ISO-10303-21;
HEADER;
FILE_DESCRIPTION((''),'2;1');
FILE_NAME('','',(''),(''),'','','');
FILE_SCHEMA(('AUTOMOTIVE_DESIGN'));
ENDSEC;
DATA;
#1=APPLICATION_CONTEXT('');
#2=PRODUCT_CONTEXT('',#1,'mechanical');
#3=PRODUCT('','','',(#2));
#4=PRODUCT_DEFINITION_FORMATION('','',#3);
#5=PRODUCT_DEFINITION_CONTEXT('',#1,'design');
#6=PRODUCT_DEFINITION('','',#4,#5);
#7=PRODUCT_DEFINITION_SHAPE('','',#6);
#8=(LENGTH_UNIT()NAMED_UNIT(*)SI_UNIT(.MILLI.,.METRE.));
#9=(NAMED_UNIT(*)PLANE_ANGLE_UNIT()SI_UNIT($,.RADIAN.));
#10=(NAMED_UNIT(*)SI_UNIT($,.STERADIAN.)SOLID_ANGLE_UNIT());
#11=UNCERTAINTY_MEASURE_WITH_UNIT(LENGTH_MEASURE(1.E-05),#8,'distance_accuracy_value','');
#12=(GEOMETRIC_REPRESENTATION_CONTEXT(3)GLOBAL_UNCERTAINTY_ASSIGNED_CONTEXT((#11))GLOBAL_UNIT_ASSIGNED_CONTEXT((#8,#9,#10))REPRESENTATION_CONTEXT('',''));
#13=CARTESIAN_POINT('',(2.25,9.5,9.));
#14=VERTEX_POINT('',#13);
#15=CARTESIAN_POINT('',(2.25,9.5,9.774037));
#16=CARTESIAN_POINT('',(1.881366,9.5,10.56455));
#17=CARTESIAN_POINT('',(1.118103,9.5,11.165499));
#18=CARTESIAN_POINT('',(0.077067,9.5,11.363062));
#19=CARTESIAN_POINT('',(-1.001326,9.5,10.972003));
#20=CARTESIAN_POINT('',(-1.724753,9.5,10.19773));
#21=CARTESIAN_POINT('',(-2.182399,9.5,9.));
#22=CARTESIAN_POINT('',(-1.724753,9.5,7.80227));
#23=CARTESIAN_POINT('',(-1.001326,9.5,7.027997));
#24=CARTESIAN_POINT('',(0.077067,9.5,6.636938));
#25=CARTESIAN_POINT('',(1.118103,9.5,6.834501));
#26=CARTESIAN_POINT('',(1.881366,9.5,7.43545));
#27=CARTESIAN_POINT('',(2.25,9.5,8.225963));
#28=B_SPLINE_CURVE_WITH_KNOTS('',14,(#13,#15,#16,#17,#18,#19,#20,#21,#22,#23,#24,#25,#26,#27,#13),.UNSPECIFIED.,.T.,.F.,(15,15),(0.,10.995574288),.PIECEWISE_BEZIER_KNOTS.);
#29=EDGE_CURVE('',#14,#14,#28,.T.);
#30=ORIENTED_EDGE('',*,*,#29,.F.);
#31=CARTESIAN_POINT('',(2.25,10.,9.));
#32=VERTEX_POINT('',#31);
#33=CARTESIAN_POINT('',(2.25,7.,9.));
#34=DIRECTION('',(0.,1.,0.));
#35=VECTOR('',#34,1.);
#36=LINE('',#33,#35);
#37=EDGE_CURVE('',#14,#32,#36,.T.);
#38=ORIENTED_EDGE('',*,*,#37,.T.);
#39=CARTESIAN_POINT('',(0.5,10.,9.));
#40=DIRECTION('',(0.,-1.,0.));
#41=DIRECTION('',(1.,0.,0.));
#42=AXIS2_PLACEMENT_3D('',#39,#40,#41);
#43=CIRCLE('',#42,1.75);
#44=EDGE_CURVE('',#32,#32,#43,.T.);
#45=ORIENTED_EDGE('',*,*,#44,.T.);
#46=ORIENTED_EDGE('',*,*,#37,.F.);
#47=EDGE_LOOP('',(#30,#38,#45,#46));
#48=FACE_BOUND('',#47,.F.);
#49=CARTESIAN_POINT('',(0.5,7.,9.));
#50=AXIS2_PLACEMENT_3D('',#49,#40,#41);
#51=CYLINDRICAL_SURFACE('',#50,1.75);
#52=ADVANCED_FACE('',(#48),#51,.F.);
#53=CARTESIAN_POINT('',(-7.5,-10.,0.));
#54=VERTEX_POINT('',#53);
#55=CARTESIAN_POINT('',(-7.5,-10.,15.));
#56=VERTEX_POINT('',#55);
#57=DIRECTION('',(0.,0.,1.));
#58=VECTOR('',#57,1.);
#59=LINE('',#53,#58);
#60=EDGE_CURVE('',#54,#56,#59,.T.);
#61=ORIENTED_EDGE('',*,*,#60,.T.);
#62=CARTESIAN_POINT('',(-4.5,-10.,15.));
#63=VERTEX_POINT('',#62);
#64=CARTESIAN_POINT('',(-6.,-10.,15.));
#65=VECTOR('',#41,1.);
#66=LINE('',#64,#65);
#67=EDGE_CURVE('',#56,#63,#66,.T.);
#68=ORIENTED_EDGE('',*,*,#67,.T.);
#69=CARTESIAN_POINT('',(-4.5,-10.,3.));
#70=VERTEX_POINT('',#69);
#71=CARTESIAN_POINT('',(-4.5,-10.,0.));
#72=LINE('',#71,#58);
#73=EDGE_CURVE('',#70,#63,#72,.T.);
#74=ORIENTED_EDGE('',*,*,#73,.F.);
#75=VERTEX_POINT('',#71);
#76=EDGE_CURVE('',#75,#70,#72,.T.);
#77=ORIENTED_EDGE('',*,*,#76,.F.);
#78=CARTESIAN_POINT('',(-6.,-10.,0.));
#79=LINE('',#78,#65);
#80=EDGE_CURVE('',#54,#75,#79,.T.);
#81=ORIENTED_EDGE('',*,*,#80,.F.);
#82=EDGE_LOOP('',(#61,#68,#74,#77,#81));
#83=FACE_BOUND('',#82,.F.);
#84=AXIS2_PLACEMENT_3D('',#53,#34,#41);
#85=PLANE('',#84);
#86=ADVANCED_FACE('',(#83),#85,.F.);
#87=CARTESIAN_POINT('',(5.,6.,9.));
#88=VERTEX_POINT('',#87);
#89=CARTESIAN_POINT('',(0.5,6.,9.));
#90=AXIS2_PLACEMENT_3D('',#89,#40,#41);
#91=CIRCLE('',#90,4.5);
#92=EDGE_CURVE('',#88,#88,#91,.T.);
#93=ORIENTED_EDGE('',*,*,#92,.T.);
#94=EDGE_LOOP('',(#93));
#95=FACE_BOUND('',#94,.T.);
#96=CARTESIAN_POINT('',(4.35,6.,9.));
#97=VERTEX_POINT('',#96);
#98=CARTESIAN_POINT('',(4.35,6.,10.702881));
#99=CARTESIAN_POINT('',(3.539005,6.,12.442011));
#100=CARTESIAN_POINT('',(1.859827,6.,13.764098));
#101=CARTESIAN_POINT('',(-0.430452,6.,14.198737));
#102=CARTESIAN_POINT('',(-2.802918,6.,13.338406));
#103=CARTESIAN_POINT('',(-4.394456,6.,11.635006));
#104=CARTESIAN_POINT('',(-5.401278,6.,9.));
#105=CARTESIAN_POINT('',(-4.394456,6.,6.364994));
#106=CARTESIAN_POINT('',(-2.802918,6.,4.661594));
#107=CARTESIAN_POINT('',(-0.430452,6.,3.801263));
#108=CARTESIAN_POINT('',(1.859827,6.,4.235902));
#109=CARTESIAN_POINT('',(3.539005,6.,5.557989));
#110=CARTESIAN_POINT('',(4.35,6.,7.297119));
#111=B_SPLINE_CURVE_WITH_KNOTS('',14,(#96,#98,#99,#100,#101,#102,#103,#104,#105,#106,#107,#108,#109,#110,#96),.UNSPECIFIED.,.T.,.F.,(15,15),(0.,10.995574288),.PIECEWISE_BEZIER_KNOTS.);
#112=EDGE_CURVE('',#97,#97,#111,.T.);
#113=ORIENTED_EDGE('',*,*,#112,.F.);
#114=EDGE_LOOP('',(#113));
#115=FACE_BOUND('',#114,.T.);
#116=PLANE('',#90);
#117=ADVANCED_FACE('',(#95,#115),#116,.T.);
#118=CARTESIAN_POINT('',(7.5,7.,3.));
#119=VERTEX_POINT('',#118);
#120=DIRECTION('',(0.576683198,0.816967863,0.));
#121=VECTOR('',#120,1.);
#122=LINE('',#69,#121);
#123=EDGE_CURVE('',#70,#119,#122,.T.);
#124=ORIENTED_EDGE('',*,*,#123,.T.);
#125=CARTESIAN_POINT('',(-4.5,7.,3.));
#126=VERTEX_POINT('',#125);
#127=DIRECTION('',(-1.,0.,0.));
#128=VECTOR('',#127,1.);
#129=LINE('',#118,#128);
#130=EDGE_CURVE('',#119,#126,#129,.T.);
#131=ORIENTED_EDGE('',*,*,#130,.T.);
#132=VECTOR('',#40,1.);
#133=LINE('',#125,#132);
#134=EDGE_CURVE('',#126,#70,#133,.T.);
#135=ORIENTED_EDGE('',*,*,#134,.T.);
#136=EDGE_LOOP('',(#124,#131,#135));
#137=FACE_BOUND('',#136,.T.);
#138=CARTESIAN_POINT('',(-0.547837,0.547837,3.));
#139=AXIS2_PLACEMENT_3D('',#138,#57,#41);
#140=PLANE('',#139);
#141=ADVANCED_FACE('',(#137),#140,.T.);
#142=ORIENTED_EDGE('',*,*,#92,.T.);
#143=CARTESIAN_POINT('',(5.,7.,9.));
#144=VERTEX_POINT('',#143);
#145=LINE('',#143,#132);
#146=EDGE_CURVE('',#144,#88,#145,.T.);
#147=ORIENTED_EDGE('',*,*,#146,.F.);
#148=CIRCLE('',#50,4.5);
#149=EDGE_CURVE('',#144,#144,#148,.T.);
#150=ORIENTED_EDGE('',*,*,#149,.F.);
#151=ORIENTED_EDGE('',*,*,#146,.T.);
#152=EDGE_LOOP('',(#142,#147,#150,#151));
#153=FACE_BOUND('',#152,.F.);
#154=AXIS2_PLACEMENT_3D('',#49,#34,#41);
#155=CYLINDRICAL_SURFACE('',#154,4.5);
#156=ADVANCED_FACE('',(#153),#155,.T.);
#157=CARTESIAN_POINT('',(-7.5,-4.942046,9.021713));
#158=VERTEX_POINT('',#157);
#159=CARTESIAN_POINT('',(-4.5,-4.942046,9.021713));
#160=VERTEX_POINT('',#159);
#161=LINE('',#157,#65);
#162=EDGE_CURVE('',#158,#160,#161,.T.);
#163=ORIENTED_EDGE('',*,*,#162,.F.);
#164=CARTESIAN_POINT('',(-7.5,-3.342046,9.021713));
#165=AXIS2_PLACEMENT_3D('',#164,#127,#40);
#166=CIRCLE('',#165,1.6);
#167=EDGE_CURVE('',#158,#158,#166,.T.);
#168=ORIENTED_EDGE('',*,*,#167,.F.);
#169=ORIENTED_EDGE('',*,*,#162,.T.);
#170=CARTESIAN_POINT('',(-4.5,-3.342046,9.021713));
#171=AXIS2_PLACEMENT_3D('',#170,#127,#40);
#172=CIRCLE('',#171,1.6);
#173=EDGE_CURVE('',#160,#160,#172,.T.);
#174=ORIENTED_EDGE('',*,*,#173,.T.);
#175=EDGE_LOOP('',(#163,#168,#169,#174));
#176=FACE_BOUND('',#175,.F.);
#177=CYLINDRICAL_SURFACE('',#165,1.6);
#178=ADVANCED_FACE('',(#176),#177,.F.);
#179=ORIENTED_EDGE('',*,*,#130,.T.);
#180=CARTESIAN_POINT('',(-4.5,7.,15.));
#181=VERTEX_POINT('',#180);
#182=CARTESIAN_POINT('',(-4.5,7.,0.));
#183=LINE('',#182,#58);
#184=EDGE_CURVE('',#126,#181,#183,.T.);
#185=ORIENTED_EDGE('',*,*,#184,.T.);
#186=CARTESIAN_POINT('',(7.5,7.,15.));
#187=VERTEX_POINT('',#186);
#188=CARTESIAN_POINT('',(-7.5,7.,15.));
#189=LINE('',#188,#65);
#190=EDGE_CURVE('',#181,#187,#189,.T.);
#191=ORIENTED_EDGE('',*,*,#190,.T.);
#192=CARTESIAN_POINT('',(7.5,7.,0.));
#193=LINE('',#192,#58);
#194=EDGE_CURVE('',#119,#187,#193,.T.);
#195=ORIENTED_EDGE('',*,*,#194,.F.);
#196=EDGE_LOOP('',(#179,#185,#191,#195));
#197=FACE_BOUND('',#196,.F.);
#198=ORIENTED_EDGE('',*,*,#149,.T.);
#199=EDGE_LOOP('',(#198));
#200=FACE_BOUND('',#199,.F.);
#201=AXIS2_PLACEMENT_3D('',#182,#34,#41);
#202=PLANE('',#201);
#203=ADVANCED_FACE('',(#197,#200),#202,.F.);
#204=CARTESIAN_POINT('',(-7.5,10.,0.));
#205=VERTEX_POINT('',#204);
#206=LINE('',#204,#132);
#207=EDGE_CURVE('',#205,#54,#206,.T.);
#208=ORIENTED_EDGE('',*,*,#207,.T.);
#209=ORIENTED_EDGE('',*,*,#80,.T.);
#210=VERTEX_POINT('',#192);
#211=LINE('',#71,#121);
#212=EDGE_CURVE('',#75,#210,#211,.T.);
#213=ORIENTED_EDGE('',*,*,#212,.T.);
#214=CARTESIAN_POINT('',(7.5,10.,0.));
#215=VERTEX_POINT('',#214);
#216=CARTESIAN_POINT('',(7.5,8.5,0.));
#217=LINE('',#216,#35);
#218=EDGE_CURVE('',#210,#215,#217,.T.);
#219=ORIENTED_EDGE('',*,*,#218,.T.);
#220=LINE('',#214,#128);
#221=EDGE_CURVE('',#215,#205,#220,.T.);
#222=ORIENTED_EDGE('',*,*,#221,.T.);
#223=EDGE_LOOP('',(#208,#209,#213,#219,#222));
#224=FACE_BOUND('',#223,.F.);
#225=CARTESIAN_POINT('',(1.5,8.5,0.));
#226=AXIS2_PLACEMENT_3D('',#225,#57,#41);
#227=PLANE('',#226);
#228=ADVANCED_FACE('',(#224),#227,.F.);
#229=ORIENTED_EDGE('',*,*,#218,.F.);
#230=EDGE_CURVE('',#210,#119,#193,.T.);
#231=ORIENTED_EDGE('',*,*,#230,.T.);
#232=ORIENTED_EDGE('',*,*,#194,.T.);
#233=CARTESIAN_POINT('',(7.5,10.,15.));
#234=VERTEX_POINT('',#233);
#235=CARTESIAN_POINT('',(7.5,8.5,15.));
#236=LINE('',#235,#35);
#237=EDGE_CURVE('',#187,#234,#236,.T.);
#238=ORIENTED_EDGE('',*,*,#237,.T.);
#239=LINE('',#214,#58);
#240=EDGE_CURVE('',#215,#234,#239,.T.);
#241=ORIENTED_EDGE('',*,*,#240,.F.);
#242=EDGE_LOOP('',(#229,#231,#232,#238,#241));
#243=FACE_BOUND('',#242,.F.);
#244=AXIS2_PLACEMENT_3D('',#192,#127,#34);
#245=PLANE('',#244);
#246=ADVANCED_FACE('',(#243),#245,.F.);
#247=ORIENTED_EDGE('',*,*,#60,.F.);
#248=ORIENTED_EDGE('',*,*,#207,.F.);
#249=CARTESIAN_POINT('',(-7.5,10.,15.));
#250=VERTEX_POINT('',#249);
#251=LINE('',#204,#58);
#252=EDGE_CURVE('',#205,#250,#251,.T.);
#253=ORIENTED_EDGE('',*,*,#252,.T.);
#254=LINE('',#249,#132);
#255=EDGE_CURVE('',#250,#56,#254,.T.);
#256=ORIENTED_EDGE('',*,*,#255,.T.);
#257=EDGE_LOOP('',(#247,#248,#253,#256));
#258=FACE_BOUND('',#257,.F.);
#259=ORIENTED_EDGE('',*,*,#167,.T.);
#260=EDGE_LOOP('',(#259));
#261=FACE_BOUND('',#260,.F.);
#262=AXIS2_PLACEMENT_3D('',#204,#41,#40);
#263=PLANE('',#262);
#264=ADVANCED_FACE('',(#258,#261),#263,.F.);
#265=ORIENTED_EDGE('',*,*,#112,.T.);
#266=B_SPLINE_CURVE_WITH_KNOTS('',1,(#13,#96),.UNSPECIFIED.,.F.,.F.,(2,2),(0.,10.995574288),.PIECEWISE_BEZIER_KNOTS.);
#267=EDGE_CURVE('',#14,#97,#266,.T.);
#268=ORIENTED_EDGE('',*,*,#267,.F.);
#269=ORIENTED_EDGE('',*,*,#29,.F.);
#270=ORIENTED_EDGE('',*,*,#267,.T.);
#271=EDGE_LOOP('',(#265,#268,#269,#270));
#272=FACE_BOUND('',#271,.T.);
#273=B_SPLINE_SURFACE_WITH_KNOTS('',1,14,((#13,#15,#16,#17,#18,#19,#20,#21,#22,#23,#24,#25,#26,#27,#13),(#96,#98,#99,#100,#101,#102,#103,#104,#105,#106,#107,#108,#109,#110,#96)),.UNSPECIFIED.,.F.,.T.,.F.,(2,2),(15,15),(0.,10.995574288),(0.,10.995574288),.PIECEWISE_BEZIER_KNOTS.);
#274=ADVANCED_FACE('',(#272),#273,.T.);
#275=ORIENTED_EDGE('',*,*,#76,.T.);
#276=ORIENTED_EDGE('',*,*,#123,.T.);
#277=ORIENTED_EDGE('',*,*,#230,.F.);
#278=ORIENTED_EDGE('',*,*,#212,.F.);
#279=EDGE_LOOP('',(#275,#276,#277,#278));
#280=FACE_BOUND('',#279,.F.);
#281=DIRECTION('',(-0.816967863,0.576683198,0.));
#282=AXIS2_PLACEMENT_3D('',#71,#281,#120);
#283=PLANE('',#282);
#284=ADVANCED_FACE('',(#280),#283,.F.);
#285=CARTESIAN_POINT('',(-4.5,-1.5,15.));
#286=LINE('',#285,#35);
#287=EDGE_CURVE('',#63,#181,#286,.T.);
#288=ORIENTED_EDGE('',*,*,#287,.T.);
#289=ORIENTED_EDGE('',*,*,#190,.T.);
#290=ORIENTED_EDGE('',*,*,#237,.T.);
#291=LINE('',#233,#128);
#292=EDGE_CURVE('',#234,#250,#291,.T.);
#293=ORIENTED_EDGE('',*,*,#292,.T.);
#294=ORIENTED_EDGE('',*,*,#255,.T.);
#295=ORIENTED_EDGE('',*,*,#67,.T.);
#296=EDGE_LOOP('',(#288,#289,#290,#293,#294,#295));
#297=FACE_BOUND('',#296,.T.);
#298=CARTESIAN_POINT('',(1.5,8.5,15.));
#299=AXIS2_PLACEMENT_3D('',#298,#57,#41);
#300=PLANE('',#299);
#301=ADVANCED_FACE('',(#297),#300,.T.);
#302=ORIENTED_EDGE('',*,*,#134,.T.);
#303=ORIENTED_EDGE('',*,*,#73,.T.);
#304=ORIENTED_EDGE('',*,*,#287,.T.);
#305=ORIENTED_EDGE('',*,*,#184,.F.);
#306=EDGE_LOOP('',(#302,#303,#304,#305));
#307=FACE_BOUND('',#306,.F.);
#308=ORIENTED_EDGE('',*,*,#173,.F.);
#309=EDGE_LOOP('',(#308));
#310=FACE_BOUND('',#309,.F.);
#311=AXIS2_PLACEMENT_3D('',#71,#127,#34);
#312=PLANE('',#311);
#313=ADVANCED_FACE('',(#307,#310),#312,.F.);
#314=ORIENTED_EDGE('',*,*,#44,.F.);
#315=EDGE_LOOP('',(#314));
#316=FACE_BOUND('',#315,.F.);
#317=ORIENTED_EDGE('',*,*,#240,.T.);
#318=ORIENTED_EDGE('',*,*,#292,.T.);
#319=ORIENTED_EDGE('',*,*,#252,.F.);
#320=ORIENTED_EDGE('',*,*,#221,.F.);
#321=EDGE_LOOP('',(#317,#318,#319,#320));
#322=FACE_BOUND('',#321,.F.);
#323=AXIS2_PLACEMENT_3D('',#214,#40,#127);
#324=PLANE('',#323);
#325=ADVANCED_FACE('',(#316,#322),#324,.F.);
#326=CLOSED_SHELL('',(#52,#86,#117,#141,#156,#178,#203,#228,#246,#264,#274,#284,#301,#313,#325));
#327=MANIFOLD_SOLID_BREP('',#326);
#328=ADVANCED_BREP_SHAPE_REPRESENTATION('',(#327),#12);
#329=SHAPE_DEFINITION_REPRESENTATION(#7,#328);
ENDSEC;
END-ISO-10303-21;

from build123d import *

# Parameters (mm, degrees)
F1_DEPTH = 3
F0_W     = 12
F0_H     = 3
F0_W_2   = 3
F0_H_2   = 17
F2_DEPTH = 15
F3_R     = 1.75
F4_DEPTH = 25
F3_R_2   = 4.5
F3_R_3   = 3.5
F5_DEPTH = 1
F6_DEPTH = 1
F7_SIZE2 = 2.1
F7_SIZE  = 3.5
F8_R     = 1.6
F9_DEPTH = 25


with BuildPart() as f1:
    # F0 (on Top) → F1 (new body)
    with BuildSketch(Plane.XY):
        Polygon((-4.5, -10), (7.5, 7), (-4.5, 7), align=None)
    extrude(amount=F1_DEPTH)

    # F0 (on Top) → F2 (join)
    with BuildSketch(Plane.XY):
        with Locations((1.5, 8.5)):
            Rectangle(F0_W, F0_H)
        with Locations((-6, 8.5)):
            Rectangle(F0_W_2, F0_H)
        with Locations((-6, -1.5)):
            Rectangle(F0_W_2, F0_H_2)
    extrude(amount=F2_DEPTH)

    # F3 (on face) → F4 (cut)
    with BuildSketch(Plane.XZ.offset(-7)):
        with Locations((0.5, 9)):
            Circle(F3_R)
    extrude(amount=-F4_DEPTH, mode=Mode.SUBTRACT)

    # F3 (on face) → F5 (join)
    with BuildSketch(Plane.XZ.offset(-7)):
        with Locations((0.5, 9)):
            Circle(F3_R_2)
        with Locations((0.5, 9)):
            Circle(F3_R_3, mode=Mode.SUBTRACT)
    extrude(amount=F5_DEPTH)

    # F3 (on face) → F6 (join)
    with BuildSketch(Plane.XZ.offset(-7)):
        with Locations((0.5, 9)):
            Circle(F3_R_3)
        with Locations((0.5, 9)):
            Circle(F3_R, mode=Mode.SUBTRACT)
    extrude(amount=F6_DEPTH)

    # F7
    f7_edges = [f1.edges().sort_by_distance(p)[0] for p in [
        (-1.25, 6, 9),
    ]]
    chamfer(f7_edges, length=F7_SIZE, length2=F7_SIZE2)

    # F8 (on face) → F9 (cut)
    with BuildSketch(Plane(origin=(-7.5, 0, 0), x_dir=(0, -1, 0), z_dir=(-1, 0, 0))):
        with Locations((3.342046, 9.021713)):
            Circle(F8_R)
    extrude(amount=-F9_DEPTH, mode=Mode.SUBTRACT)


solid = f1.part
